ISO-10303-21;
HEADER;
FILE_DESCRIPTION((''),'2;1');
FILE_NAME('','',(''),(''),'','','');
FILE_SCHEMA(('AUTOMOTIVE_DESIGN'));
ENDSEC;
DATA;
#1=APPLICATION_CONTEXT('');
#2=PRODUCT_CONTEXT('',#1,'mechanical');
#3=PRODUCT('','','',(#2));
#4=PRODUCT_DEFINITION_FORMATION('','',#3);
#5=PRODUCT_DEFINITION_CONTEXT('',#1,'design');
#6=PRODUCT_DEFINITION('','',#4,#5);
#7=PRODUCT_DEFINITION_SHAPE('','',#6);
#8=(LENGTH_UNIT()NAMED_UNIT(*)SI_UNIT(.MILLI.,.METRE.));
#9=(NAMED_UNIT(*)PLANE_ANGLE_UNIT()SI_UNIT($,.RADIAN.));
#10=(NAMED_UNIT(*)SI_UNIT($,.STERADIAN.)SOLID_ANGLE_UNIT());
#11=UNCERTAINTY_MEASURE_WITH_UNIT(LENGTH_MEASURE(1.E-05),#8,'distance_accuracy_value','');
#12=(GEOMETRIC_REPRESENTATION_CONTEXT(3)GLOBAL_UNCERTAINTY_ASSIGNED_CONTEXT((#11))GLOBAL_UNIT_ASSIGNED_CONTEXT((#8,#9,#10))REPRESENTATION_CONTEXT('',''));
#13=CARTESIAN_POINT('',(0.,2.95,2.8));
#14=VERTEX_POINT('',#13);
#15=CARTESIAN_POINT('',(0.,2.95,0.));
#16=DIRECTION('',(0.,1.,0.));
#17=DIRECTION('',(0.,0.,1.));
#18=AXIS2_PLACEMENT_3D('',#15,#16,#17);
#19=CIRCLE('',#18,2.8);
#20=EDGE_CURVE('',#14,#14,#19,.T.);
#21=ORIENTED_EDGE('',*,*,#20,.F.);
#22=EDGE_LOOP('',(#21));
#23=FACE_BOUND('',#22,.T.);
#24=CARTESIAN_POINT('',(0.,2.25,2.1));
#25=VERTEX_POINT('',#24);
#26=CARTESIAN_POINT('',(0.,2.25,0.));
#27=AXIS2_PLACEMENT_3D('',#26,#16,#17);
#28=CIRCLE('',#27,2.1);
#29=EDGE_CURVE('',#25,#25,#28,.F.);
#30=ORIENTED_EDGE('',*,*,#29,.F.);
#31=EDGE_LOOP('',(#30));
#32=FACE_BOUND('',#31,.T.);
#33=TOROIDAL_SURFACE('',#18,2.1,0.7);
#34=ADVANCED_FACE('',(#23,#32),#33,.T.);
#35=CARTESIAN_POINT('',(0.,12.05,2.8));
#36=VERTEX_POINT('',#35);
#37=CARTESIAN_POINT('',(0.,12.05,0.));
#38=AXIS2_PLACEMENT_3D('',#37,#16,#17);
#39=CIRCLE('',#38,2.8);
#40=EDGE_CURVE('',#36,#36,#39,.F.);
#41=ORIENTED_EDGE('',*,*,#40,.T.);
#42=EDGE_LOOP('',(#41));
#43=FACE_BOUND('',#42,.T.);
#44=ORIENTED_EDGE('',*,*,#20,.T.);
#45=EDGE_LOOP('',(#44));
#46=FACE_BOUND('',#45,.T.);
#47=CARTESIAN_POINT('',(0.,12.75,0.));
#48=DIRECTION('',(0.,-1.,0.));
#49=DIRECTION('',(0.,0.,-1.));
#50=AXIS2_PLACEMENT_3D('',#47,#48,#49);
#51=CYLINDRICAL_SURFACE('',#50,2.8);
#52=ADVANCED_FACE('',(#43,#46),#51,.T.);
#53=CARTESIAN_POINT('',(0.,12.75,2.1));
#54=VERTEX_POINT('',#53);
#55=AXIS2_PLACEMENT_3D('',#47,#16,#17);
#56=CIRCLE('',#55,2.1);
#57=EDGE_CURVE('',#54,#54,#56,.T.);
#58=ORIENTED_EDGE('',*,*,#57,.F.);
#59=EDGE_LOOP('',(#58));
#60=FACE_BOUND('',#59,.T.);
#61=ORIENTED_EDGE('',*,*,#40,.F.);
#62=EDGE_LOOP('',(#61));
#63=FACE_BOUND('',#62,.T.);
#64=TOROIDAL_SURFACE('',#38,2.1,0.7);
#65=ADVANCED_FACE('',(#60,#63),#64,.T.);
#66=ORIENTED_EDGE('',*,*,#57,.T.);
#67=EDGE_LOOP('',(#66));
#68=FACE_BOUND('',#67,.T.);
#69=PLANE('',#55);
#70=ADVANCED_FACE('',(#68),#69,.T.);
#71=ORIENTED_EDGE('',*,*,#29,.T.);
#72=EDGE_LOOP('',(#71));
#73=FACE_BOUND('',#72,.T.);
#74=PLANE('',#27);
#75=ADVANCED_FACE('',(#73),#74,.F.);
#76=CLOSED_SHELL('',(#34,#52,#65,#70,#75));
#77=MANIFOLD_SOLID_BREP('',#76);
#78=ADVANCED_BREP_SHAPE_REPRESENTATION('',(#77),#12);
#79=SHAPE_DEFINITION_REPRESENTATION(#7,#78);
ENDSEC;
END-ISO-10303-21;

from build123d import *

# Parameters (mm, degrees)
SKETCH1_R           = 4
BOSS_EXTRUDE1_DEPTH = 15
FILLET1_R           = 1
SCALE1_SCALE        = 0.7


with BuildPart() as part:
    # Sketch1 → Boss-Extrude1 (new body)
    with BuildSketch(Plane(origin=(0, 0, 0), x_dir=(1, 0, 0), z_dir=(0, 1, 0))):
        with Locations(Location((0, 0, 0), (0, 0, 270))):
            Circle(SKETCH1_R)
    extrude(amount=BOSS_EXTRUDE1_DEPTH)

    # Fillet1
    fillet1_edges = [part.edges().sort_by_distance(p)[0] for p in [
        (0, 0, -4),
        (0, 15, -4),
    ]]
    fillet(fillet1_edges, radius=FILLET1_R)


with BuildPart() as part_1:
    # Scale1: scaled about (0, 7.5, 0)
    add(part.part.scale(SCALE1_SCALE).moved(Location((0, 2.25, 0))))


solid = part_1.part
